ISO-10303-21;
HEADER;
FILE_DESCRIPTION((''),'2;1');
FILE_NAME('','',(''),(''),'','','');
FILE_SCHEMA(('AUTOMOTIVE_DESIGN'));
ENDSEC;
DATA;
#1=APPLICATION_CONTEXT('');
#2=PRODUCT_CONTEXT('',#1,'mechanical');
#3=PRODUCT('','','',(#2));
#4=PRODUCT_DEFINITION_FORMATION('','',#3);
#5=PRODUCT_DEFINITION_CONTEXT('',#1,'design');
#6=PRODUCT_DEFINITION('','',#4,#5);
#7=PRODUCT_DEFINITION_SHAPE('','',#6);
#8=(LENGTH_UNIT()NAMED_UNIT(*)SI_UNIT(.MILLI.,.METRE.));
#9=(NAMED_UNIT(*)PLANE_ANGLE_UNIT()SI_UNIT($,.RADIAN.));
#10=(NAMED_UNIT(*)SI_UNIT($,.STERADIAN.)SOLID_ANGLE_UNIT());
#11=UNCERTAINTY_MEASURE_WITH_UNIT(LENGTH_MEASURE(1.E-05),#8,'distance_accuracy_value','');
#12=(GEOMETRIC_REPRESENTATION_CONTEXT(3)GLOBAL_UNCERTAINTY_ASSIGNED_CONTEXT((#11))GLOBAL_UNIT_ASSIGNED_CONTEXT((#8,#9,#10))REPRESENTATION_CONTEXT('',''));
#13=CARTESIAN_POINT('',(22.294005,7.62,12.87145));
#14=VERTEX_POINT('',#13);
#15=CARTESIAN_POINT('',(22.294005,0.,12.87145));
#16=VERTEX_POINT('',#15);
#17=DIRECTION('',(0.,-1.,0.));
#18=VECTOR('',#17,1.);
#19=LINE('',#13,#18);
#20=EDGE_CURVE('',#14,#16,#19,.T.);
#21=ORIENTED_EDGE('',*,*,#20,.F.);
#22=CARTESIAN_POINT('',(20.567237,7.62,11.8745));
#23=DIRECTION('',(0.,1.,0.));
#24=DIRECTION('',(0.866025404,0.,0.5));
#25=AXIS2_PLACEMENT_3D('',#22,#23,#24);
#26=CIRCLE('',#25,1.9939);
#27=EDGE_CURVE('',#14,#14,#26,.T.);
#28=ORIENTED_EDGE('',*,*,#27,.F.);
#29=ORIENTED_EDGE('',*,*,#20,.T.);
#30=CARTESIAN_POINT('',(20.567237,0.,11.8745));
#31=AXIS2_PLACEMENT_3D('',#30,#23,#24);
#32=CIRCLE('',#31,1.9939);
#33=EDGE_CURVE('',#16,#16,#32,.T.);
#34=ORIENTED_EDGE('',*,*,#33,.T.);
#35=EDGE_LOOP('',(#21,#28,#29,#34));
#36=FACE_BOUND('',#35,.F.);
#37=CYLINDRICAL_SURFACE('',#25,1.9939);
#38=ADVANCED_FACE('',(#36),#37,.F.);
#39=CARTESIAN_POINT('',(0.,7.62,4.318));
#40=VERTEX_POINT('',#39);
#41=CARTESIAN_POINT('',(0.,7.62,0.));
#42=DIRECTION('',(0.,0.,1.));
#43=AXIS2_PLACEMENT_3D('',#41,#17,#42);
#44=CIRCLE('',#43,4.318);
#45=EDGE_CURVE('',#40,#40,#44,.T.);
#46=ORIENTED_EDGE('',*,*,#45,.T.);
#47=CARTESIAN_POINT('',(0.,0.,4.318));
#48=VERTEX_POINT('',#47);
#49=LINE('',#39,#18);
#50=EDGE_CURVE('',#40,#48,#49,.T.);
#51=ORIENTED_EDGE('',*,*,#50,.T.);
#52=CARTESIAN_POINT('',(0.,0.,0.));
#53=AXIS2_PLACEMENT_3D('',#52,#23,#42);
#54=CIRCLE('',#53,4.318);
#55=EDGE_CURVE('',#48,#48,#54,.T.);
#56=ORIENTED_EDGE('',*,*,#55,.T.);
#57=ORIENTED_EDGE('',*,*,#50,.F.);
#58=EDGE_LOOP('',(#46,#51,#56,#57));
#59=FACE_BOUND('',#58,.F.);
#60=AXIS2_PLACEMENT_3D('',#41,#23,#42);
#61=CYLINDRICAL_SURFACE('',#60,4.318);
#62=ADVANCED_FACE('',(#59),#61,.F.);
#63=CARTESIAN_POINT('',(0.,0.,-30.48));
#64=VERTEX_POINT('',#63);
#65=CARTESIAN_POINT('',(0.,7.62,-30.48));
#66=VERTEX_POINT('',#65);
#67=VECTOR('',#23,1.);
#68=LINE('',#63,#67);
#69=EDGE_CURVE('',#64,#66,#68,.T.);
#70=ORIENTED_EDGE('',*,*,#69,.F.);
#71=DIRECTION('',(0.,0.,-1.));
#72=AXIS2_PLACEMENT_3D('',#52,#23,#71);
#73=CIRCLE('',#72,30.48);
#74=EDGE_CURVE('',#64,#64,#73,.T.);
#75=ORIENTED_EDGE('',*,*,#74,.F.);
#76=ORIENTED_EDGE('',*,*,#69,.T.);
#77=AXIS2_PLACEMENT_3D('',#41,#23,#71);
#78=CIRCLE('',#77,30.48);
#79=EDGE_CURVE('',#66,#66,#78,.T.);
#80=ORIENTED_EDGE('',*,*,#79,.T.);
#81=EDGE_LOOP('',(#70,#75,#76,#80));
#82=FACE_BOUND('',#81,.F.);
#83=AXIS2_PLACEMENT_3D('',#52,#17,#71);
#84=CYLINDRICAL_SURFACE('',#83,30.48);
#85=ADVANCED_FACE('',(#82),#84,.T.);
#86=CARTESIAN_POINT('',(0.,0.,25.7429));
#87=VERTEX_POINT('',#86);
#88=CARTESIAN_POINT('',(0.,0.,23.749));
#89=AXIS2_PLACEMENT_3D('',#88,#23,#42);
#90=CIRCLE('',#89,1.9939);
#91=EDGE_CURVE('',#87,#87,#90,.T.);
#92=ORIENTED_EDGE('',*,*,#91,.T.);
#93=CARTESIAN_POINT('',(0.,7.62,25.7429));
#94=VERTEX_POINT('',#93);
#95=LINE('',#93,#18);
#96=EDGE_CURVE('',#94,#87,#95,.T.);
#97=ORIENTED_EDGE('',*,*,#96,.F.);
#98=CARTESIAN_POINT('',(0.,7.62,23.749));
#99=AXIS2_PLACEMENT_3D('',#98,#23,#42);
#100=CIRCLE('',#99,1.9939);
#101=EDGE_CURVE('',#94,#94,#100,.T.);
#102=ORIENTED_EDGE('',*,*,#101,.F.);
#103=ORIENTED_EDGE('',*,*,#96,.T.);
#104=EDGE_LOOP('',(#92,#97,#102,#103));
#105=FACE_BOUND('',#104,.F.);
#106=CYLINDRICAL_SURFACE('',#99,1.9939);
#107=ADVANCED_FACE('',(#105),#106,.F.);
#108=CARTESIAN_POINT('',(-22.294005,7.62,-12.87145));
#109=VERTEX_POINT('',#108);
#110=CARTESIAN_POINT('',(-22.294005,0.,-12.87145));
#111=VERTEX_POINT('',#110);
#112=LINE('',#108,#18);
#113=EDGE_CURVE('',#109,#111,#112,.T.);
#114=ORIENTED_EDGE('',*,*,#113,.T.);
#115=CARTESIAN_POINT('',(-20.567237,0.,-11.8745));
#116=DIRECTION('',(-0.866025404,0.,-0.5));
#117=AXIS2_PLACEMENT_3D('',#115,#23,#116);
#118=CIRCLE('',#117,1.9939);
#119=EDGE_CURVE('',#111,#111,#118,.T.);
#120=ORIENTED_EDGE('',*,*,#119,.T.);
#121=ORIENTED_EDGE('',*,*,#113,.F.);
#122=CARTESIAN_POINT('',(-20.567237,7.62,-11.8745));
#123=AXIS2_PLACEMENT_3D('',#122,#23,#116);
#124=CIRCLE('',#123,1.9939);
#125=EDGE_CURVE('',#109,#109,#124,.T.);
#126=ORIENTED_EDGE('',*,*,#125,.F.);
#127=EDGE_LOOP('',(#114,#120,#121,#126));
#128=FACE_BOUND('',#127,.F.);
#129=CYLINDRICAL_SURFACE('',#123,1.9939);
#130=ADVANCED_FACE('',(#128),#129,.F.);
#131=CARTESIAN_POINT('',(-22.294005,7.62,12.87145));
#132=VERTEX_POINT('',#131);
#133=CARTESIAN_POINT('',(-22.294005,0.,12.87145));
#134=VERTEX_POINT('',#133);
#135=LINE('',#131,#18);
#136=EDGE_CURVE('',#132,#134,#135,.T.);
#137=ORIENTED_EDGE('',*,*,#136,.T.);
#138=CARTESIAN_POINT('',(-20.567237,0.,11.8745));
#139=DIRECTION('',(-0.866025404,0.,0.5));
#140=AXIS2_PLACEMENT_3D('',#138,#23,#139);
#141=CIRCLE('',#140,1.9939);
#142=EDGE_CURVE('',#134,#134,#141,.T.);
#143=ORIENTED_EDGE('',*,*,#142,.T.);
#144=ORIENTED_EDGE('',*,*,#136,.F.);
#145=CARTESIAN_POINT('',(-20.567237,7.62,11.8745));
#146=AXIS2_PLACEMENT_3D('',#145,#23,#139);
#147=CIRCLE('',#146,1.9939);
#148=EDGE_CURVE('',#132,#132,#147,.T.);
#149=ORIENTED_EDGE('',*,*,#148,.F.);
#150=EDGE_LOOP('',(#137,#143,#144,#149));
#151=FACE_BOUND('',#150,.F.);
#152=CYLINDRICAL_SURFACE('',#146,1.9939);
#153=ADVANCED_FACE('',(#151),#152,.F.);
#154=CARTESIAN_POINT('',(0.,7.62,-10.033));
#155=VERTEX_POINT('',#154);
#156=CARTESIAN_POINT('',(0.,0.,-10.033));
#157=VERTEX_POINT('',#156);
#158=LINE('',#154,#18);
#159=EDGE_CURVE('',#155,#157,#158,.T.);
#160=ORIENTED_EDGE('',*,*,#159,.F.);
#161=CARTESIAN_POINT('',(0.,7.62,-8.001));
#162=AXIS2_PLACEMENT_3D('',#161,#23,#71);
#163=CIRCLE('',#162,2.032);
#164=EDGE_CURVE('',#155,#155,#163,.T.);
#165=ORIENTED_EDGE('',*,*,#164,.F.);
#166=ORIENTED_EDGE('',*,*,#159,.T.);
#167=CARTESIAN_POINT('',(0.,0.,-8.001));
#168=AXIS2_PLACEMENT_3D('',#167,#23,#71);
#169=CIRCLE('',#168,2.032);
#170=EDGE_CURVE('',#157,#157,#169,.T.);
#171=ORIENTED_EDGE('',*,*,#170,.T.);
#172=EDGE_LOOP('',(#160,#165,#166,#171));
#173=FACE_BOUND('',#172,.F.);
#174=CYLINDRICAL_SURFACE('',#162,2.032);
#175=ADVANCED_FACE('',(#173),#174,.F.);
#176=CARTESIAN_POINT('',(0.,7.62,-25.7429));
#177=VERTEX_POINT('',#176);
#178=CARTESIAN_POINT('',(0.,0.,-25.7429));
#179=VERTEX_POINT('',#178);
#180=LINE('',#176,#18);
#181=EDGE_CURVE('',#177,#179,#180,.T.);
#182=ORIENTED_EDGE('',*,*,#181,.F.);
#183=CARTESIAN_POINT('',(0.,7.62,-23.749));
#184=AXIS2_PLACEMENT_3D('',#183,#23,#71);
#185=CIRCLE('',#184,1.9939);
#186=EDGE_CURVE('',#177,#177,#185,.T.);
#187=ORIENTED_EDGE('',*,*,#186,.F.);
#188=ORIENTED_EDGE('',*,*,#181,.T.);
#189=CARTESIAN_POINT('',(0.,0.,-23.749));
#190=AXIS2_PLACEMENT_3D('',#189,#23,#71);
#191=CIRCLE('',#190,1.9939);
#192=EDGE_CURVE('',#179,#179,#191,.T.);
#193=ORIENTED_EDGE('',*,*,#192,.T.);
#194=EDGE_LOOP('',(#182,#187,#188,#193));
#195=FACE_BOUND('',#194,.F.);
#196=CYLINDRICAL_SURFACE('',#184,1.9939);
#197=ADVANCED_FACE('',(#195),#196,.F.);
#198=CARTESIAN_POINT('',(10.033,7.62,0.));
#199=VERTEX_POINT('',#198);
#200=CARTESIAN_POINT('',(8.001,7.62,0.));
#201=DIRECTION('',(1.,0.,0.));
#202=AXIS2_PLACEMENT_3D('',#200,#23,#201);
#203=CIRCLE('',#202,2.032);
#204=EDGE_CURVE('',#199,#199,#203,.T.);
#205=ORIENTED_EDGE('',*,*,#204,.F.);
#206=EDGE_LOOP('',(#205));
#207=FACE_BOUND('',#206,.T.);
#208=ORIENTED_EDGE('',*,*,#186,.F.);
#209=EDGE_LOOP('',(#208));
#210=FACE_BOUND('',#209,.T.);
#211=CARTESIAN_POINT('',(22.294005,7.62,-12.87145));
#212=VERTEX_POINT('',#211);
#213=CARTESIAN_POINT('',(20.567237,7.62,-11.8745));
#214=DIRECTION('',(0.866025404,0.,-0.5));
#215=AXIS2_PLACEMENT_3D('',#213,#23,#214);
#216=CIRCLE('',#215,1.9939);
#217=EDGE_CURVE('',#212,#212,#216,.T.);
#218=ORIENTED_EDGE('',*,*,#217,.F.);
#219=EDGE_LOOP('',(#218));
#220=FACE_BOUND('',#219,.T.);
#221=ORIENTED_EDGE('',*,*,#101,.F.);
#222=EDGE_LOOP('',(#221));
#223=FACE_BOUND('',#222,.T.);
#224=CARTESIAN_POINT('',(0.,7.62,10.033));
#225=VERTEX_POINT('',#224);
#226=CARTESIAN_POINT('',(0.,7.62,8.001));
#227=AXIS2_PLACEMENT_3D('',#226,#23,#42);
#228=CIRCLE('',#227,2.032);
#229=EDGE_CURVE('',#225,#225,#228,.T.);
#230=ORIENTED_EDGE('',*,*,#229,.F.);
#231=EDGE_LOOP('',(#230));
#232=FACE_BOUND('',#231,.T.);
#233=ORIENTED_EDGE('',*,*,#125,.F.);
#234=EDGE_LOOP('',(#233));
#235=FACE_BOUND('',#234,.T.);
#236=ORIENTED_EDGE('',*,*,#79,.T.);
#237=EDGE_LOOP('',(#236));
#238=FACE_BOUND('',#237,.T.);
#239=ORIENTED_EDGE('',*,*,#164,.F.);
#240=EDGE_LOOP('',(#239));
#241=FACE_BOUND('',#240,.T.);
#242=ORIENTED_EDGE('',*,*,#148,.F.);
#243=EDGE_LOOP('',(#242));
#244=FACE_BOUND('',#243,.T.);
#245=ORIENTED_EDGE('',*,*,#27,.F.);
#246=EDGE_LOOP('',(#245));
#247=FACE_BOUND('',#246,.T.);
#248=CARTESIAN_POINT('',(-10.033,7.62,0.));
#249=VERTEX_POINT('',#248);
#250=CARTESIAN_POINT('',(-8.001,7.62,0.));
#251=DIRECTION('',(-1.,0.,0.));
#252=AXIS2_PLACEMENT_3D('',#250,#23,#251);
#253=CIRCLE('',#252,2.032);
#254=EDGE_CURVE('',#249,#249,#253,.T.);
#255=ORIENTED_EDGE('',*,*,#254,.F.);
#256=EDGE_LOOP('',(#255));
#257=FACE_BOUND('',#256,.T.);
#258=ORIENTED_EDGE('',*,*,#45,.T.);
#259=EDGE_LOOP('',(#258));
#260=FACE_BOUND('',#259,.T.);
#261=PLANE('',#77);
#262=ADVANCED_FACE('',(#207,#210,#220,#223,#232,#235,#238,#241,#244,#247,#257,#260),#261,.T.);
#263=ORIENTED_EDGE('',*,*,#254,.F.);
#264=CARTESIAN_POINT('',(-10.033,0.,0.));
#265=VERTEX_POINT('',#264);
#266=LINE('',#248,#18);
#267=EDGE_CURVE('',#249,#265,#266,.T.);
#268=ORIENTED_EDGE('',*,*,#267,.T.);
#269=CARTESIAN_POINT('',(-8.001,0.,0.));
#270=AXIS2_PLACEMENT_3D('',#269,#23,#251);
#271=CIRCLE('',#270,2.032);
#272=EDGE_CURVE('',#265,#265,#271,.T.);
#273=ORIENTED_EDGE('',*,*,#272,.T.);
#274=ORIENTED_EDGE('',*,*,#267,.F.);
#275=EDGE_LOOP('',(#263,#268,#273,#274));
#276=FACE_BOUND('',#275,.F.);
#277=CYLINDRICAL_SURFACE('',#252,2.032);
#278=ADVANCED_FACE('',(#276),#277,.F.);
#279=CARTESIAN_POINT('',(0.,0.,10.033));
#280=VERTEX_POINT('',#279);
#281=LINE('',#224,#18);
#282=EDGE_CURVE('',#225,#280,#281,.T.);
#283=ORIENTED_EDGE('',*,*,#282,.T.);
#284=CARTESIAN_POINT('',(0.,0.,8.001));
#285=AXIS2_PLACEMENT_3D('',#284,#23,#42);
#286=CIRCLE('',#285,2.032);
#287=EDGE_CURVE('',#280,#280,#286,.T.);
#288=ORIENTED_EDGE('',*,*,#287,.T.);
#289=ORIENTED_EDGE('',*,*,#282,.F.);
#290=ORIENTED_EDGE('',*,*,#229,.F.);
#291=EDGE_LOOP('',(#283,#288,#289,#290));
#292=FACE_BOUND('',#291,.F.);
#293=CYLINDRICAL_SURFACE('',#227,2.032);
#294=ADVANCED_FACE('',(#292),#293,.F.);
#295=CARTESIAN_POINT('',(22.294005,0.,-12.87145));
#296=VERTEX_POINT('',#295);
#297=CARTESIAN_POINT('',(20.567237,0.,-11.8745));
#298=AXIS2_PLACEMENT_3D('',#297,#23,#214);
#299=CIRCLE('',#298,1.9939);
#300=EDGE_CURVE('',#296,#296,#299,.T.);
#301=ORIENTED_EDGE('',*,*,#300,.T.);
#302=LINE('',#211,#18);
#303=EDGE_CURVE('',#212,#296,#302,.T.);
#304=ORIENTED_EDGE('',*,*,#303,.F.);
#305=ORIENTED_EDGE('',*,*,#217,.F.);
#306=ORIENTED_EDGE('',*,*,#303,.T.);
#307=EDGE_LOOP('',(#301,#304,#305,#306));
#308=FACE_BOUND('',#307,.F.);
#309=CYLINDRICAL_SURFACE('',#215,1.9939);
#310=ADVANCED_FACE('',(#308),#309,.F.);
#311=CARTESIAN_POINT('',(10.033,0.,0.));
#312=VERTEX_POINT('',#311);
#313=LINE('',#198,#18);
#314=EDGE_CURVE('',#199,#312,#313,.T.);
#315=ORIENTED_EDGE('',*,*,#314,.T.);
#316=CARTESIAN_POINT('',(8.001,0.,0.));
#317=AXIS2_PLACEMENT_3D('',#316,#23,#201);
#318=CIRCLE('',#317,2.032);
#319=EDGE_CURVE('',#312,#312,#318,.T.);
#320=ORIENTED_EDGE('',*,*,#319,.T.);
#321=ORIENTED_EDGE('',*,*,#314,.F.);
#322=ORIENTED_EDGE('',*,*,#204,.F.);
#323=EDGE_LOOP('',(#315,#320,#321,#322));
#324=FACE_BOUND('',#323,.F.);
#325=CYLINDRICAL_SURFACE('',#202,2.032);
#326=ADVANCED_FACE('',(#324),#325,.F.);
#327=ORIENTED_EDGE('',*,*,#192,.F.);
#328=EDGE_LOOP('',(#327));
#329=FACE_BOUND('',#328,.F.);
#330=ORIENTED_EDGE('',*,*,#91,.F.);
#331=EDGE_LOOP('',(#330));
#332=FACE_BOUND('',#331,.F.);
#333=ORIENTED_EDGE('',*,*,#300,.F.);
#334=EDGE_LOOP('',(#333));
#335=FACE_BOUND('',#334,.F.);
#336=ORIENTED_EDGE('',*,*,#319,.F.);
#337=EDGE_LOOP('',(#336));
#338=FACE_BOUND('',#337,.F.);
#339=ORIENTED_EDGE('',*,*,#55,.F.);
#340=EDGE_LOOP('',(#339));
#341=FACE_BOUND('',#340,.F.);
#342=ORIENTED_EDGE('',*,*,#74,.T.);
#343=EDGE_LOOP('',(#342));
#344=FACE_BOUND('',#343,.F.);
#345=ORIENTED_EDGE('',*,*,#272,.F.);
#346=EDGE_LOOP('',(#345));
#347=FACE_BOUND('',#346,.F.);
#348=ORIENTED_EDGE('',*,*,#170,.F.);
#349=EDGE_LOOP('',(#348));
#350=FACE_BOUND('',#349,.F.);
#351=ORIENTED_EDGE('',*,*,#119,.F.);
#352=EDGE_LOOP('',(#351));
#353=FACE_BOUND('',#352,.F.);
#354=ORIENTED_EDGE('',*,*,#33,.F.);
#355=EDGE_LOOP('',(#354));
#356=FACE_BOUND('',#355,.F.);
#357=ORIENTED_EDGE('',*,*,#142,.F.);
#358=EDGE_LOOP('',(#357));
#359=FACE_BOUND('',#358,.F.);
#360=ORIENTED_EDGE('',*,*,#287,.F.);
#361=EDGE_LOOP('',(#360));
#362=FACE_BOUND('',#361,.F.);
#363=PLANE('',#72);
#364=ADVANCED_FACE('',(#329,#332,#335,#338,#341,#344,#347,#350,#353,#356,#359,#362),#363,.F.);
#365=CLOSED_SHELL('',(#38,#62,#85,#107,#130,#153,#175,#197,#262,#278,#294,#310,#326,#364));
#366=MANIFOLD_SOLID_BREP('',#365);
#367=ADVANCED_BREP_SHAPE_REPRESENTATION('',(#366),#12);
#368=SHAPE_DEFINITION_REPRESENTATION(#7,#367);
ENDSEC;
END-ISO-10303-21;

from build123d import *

# Parameters (mm, degrees)
SKETCH1_R           = 30.48
BOSS_EXTRUDE1_DEPTH = 7.62
SKETCH2_R           = 1.9939
CUT_EXTRUDE1_DEPTH  = 44.773567367
CIRPATTERN1_COUNT   = 6
SKETCH3_R           = 4.318
SKETCH3_R_2         = 2.032
CUT_EXTRUDE2_DEPTH  = 44.773567367
CIRPATTERN2_COUNT   = 4


with BuildPart() as part:
    # Sketch1 → Boss-Extrude1 (new body)
    with BuildSketch(Plane(origin=(0, 0, 0), x_dir=(1, 0, 0), z_dir=(0, 1, 0))):
        with Locations(Location((0, 0, 0), (0, 0, 90))):
            Circle(SKETCH1_R)
    extrude(amount=BOSS_EXTRUDE1_DEPTH)

    # Sketch2 → Cut-Extrude1 (cut, through all)
    with BuildSketch(Plane(origin=(0, 7.62, 0), x_dir=(1, 0, 0), z_dir=(0, 1, 0))):
        with Locations(Location((0, -23.749, 0), (0, 0, 270))):
            Circle(SKETCH2_R)
    cut_extrude1 = extrude(amount=-CUT_EXTRUDE1_DEPTH, mode=Mode.SUBTRACT)

    # CirPattern1: Cut-Extrude1 ×6 about axis
    cirpattern1_axis = Axis((0, 0, 0), (0, 1, 0))
    for i in range(1, CIRPATTERN1_COUNT):
        add(cut_extrude1.rotate(cirpattern1_axis, i * 360 / CIRPATTERN1_COUNT), mode=Mode.SUBTRACT)

    # Sketch3 → Cut-Extrude2 (cut, through all)
    with BuildSketch(Plane(origin=(0, 7.62, 0), x_dir=(1, 0, 0), z_dir=(0, 1, 0))):
        with Locations(Location((0, 0, 0), (0, 0, 270))):
            Circle(SKETCH3_R)
        with Locations(Location((0, -8.001, 0), (0, 0, 270))):
            Circle(SKETCH3_R_2)
    cut_extrude2 = extrude(amount=-CUT_EXTRUDE2_DEPTH, mode=Mode.SUBTRACT)

    # CirPattern2: Cut-Extrude2 ×4 about axis
    cirpattern2_axis = Axis((0, 0, 0), (0, 1, 0))
    for i in range(1, CIRPATTERN2_COUNT):
        add(cut_extrude2.rotate(cirpattern2_axis, i * 360 / CIRPATTERN2_COUNT), mode=Mode.SUBTRACT)


solid = part.part
